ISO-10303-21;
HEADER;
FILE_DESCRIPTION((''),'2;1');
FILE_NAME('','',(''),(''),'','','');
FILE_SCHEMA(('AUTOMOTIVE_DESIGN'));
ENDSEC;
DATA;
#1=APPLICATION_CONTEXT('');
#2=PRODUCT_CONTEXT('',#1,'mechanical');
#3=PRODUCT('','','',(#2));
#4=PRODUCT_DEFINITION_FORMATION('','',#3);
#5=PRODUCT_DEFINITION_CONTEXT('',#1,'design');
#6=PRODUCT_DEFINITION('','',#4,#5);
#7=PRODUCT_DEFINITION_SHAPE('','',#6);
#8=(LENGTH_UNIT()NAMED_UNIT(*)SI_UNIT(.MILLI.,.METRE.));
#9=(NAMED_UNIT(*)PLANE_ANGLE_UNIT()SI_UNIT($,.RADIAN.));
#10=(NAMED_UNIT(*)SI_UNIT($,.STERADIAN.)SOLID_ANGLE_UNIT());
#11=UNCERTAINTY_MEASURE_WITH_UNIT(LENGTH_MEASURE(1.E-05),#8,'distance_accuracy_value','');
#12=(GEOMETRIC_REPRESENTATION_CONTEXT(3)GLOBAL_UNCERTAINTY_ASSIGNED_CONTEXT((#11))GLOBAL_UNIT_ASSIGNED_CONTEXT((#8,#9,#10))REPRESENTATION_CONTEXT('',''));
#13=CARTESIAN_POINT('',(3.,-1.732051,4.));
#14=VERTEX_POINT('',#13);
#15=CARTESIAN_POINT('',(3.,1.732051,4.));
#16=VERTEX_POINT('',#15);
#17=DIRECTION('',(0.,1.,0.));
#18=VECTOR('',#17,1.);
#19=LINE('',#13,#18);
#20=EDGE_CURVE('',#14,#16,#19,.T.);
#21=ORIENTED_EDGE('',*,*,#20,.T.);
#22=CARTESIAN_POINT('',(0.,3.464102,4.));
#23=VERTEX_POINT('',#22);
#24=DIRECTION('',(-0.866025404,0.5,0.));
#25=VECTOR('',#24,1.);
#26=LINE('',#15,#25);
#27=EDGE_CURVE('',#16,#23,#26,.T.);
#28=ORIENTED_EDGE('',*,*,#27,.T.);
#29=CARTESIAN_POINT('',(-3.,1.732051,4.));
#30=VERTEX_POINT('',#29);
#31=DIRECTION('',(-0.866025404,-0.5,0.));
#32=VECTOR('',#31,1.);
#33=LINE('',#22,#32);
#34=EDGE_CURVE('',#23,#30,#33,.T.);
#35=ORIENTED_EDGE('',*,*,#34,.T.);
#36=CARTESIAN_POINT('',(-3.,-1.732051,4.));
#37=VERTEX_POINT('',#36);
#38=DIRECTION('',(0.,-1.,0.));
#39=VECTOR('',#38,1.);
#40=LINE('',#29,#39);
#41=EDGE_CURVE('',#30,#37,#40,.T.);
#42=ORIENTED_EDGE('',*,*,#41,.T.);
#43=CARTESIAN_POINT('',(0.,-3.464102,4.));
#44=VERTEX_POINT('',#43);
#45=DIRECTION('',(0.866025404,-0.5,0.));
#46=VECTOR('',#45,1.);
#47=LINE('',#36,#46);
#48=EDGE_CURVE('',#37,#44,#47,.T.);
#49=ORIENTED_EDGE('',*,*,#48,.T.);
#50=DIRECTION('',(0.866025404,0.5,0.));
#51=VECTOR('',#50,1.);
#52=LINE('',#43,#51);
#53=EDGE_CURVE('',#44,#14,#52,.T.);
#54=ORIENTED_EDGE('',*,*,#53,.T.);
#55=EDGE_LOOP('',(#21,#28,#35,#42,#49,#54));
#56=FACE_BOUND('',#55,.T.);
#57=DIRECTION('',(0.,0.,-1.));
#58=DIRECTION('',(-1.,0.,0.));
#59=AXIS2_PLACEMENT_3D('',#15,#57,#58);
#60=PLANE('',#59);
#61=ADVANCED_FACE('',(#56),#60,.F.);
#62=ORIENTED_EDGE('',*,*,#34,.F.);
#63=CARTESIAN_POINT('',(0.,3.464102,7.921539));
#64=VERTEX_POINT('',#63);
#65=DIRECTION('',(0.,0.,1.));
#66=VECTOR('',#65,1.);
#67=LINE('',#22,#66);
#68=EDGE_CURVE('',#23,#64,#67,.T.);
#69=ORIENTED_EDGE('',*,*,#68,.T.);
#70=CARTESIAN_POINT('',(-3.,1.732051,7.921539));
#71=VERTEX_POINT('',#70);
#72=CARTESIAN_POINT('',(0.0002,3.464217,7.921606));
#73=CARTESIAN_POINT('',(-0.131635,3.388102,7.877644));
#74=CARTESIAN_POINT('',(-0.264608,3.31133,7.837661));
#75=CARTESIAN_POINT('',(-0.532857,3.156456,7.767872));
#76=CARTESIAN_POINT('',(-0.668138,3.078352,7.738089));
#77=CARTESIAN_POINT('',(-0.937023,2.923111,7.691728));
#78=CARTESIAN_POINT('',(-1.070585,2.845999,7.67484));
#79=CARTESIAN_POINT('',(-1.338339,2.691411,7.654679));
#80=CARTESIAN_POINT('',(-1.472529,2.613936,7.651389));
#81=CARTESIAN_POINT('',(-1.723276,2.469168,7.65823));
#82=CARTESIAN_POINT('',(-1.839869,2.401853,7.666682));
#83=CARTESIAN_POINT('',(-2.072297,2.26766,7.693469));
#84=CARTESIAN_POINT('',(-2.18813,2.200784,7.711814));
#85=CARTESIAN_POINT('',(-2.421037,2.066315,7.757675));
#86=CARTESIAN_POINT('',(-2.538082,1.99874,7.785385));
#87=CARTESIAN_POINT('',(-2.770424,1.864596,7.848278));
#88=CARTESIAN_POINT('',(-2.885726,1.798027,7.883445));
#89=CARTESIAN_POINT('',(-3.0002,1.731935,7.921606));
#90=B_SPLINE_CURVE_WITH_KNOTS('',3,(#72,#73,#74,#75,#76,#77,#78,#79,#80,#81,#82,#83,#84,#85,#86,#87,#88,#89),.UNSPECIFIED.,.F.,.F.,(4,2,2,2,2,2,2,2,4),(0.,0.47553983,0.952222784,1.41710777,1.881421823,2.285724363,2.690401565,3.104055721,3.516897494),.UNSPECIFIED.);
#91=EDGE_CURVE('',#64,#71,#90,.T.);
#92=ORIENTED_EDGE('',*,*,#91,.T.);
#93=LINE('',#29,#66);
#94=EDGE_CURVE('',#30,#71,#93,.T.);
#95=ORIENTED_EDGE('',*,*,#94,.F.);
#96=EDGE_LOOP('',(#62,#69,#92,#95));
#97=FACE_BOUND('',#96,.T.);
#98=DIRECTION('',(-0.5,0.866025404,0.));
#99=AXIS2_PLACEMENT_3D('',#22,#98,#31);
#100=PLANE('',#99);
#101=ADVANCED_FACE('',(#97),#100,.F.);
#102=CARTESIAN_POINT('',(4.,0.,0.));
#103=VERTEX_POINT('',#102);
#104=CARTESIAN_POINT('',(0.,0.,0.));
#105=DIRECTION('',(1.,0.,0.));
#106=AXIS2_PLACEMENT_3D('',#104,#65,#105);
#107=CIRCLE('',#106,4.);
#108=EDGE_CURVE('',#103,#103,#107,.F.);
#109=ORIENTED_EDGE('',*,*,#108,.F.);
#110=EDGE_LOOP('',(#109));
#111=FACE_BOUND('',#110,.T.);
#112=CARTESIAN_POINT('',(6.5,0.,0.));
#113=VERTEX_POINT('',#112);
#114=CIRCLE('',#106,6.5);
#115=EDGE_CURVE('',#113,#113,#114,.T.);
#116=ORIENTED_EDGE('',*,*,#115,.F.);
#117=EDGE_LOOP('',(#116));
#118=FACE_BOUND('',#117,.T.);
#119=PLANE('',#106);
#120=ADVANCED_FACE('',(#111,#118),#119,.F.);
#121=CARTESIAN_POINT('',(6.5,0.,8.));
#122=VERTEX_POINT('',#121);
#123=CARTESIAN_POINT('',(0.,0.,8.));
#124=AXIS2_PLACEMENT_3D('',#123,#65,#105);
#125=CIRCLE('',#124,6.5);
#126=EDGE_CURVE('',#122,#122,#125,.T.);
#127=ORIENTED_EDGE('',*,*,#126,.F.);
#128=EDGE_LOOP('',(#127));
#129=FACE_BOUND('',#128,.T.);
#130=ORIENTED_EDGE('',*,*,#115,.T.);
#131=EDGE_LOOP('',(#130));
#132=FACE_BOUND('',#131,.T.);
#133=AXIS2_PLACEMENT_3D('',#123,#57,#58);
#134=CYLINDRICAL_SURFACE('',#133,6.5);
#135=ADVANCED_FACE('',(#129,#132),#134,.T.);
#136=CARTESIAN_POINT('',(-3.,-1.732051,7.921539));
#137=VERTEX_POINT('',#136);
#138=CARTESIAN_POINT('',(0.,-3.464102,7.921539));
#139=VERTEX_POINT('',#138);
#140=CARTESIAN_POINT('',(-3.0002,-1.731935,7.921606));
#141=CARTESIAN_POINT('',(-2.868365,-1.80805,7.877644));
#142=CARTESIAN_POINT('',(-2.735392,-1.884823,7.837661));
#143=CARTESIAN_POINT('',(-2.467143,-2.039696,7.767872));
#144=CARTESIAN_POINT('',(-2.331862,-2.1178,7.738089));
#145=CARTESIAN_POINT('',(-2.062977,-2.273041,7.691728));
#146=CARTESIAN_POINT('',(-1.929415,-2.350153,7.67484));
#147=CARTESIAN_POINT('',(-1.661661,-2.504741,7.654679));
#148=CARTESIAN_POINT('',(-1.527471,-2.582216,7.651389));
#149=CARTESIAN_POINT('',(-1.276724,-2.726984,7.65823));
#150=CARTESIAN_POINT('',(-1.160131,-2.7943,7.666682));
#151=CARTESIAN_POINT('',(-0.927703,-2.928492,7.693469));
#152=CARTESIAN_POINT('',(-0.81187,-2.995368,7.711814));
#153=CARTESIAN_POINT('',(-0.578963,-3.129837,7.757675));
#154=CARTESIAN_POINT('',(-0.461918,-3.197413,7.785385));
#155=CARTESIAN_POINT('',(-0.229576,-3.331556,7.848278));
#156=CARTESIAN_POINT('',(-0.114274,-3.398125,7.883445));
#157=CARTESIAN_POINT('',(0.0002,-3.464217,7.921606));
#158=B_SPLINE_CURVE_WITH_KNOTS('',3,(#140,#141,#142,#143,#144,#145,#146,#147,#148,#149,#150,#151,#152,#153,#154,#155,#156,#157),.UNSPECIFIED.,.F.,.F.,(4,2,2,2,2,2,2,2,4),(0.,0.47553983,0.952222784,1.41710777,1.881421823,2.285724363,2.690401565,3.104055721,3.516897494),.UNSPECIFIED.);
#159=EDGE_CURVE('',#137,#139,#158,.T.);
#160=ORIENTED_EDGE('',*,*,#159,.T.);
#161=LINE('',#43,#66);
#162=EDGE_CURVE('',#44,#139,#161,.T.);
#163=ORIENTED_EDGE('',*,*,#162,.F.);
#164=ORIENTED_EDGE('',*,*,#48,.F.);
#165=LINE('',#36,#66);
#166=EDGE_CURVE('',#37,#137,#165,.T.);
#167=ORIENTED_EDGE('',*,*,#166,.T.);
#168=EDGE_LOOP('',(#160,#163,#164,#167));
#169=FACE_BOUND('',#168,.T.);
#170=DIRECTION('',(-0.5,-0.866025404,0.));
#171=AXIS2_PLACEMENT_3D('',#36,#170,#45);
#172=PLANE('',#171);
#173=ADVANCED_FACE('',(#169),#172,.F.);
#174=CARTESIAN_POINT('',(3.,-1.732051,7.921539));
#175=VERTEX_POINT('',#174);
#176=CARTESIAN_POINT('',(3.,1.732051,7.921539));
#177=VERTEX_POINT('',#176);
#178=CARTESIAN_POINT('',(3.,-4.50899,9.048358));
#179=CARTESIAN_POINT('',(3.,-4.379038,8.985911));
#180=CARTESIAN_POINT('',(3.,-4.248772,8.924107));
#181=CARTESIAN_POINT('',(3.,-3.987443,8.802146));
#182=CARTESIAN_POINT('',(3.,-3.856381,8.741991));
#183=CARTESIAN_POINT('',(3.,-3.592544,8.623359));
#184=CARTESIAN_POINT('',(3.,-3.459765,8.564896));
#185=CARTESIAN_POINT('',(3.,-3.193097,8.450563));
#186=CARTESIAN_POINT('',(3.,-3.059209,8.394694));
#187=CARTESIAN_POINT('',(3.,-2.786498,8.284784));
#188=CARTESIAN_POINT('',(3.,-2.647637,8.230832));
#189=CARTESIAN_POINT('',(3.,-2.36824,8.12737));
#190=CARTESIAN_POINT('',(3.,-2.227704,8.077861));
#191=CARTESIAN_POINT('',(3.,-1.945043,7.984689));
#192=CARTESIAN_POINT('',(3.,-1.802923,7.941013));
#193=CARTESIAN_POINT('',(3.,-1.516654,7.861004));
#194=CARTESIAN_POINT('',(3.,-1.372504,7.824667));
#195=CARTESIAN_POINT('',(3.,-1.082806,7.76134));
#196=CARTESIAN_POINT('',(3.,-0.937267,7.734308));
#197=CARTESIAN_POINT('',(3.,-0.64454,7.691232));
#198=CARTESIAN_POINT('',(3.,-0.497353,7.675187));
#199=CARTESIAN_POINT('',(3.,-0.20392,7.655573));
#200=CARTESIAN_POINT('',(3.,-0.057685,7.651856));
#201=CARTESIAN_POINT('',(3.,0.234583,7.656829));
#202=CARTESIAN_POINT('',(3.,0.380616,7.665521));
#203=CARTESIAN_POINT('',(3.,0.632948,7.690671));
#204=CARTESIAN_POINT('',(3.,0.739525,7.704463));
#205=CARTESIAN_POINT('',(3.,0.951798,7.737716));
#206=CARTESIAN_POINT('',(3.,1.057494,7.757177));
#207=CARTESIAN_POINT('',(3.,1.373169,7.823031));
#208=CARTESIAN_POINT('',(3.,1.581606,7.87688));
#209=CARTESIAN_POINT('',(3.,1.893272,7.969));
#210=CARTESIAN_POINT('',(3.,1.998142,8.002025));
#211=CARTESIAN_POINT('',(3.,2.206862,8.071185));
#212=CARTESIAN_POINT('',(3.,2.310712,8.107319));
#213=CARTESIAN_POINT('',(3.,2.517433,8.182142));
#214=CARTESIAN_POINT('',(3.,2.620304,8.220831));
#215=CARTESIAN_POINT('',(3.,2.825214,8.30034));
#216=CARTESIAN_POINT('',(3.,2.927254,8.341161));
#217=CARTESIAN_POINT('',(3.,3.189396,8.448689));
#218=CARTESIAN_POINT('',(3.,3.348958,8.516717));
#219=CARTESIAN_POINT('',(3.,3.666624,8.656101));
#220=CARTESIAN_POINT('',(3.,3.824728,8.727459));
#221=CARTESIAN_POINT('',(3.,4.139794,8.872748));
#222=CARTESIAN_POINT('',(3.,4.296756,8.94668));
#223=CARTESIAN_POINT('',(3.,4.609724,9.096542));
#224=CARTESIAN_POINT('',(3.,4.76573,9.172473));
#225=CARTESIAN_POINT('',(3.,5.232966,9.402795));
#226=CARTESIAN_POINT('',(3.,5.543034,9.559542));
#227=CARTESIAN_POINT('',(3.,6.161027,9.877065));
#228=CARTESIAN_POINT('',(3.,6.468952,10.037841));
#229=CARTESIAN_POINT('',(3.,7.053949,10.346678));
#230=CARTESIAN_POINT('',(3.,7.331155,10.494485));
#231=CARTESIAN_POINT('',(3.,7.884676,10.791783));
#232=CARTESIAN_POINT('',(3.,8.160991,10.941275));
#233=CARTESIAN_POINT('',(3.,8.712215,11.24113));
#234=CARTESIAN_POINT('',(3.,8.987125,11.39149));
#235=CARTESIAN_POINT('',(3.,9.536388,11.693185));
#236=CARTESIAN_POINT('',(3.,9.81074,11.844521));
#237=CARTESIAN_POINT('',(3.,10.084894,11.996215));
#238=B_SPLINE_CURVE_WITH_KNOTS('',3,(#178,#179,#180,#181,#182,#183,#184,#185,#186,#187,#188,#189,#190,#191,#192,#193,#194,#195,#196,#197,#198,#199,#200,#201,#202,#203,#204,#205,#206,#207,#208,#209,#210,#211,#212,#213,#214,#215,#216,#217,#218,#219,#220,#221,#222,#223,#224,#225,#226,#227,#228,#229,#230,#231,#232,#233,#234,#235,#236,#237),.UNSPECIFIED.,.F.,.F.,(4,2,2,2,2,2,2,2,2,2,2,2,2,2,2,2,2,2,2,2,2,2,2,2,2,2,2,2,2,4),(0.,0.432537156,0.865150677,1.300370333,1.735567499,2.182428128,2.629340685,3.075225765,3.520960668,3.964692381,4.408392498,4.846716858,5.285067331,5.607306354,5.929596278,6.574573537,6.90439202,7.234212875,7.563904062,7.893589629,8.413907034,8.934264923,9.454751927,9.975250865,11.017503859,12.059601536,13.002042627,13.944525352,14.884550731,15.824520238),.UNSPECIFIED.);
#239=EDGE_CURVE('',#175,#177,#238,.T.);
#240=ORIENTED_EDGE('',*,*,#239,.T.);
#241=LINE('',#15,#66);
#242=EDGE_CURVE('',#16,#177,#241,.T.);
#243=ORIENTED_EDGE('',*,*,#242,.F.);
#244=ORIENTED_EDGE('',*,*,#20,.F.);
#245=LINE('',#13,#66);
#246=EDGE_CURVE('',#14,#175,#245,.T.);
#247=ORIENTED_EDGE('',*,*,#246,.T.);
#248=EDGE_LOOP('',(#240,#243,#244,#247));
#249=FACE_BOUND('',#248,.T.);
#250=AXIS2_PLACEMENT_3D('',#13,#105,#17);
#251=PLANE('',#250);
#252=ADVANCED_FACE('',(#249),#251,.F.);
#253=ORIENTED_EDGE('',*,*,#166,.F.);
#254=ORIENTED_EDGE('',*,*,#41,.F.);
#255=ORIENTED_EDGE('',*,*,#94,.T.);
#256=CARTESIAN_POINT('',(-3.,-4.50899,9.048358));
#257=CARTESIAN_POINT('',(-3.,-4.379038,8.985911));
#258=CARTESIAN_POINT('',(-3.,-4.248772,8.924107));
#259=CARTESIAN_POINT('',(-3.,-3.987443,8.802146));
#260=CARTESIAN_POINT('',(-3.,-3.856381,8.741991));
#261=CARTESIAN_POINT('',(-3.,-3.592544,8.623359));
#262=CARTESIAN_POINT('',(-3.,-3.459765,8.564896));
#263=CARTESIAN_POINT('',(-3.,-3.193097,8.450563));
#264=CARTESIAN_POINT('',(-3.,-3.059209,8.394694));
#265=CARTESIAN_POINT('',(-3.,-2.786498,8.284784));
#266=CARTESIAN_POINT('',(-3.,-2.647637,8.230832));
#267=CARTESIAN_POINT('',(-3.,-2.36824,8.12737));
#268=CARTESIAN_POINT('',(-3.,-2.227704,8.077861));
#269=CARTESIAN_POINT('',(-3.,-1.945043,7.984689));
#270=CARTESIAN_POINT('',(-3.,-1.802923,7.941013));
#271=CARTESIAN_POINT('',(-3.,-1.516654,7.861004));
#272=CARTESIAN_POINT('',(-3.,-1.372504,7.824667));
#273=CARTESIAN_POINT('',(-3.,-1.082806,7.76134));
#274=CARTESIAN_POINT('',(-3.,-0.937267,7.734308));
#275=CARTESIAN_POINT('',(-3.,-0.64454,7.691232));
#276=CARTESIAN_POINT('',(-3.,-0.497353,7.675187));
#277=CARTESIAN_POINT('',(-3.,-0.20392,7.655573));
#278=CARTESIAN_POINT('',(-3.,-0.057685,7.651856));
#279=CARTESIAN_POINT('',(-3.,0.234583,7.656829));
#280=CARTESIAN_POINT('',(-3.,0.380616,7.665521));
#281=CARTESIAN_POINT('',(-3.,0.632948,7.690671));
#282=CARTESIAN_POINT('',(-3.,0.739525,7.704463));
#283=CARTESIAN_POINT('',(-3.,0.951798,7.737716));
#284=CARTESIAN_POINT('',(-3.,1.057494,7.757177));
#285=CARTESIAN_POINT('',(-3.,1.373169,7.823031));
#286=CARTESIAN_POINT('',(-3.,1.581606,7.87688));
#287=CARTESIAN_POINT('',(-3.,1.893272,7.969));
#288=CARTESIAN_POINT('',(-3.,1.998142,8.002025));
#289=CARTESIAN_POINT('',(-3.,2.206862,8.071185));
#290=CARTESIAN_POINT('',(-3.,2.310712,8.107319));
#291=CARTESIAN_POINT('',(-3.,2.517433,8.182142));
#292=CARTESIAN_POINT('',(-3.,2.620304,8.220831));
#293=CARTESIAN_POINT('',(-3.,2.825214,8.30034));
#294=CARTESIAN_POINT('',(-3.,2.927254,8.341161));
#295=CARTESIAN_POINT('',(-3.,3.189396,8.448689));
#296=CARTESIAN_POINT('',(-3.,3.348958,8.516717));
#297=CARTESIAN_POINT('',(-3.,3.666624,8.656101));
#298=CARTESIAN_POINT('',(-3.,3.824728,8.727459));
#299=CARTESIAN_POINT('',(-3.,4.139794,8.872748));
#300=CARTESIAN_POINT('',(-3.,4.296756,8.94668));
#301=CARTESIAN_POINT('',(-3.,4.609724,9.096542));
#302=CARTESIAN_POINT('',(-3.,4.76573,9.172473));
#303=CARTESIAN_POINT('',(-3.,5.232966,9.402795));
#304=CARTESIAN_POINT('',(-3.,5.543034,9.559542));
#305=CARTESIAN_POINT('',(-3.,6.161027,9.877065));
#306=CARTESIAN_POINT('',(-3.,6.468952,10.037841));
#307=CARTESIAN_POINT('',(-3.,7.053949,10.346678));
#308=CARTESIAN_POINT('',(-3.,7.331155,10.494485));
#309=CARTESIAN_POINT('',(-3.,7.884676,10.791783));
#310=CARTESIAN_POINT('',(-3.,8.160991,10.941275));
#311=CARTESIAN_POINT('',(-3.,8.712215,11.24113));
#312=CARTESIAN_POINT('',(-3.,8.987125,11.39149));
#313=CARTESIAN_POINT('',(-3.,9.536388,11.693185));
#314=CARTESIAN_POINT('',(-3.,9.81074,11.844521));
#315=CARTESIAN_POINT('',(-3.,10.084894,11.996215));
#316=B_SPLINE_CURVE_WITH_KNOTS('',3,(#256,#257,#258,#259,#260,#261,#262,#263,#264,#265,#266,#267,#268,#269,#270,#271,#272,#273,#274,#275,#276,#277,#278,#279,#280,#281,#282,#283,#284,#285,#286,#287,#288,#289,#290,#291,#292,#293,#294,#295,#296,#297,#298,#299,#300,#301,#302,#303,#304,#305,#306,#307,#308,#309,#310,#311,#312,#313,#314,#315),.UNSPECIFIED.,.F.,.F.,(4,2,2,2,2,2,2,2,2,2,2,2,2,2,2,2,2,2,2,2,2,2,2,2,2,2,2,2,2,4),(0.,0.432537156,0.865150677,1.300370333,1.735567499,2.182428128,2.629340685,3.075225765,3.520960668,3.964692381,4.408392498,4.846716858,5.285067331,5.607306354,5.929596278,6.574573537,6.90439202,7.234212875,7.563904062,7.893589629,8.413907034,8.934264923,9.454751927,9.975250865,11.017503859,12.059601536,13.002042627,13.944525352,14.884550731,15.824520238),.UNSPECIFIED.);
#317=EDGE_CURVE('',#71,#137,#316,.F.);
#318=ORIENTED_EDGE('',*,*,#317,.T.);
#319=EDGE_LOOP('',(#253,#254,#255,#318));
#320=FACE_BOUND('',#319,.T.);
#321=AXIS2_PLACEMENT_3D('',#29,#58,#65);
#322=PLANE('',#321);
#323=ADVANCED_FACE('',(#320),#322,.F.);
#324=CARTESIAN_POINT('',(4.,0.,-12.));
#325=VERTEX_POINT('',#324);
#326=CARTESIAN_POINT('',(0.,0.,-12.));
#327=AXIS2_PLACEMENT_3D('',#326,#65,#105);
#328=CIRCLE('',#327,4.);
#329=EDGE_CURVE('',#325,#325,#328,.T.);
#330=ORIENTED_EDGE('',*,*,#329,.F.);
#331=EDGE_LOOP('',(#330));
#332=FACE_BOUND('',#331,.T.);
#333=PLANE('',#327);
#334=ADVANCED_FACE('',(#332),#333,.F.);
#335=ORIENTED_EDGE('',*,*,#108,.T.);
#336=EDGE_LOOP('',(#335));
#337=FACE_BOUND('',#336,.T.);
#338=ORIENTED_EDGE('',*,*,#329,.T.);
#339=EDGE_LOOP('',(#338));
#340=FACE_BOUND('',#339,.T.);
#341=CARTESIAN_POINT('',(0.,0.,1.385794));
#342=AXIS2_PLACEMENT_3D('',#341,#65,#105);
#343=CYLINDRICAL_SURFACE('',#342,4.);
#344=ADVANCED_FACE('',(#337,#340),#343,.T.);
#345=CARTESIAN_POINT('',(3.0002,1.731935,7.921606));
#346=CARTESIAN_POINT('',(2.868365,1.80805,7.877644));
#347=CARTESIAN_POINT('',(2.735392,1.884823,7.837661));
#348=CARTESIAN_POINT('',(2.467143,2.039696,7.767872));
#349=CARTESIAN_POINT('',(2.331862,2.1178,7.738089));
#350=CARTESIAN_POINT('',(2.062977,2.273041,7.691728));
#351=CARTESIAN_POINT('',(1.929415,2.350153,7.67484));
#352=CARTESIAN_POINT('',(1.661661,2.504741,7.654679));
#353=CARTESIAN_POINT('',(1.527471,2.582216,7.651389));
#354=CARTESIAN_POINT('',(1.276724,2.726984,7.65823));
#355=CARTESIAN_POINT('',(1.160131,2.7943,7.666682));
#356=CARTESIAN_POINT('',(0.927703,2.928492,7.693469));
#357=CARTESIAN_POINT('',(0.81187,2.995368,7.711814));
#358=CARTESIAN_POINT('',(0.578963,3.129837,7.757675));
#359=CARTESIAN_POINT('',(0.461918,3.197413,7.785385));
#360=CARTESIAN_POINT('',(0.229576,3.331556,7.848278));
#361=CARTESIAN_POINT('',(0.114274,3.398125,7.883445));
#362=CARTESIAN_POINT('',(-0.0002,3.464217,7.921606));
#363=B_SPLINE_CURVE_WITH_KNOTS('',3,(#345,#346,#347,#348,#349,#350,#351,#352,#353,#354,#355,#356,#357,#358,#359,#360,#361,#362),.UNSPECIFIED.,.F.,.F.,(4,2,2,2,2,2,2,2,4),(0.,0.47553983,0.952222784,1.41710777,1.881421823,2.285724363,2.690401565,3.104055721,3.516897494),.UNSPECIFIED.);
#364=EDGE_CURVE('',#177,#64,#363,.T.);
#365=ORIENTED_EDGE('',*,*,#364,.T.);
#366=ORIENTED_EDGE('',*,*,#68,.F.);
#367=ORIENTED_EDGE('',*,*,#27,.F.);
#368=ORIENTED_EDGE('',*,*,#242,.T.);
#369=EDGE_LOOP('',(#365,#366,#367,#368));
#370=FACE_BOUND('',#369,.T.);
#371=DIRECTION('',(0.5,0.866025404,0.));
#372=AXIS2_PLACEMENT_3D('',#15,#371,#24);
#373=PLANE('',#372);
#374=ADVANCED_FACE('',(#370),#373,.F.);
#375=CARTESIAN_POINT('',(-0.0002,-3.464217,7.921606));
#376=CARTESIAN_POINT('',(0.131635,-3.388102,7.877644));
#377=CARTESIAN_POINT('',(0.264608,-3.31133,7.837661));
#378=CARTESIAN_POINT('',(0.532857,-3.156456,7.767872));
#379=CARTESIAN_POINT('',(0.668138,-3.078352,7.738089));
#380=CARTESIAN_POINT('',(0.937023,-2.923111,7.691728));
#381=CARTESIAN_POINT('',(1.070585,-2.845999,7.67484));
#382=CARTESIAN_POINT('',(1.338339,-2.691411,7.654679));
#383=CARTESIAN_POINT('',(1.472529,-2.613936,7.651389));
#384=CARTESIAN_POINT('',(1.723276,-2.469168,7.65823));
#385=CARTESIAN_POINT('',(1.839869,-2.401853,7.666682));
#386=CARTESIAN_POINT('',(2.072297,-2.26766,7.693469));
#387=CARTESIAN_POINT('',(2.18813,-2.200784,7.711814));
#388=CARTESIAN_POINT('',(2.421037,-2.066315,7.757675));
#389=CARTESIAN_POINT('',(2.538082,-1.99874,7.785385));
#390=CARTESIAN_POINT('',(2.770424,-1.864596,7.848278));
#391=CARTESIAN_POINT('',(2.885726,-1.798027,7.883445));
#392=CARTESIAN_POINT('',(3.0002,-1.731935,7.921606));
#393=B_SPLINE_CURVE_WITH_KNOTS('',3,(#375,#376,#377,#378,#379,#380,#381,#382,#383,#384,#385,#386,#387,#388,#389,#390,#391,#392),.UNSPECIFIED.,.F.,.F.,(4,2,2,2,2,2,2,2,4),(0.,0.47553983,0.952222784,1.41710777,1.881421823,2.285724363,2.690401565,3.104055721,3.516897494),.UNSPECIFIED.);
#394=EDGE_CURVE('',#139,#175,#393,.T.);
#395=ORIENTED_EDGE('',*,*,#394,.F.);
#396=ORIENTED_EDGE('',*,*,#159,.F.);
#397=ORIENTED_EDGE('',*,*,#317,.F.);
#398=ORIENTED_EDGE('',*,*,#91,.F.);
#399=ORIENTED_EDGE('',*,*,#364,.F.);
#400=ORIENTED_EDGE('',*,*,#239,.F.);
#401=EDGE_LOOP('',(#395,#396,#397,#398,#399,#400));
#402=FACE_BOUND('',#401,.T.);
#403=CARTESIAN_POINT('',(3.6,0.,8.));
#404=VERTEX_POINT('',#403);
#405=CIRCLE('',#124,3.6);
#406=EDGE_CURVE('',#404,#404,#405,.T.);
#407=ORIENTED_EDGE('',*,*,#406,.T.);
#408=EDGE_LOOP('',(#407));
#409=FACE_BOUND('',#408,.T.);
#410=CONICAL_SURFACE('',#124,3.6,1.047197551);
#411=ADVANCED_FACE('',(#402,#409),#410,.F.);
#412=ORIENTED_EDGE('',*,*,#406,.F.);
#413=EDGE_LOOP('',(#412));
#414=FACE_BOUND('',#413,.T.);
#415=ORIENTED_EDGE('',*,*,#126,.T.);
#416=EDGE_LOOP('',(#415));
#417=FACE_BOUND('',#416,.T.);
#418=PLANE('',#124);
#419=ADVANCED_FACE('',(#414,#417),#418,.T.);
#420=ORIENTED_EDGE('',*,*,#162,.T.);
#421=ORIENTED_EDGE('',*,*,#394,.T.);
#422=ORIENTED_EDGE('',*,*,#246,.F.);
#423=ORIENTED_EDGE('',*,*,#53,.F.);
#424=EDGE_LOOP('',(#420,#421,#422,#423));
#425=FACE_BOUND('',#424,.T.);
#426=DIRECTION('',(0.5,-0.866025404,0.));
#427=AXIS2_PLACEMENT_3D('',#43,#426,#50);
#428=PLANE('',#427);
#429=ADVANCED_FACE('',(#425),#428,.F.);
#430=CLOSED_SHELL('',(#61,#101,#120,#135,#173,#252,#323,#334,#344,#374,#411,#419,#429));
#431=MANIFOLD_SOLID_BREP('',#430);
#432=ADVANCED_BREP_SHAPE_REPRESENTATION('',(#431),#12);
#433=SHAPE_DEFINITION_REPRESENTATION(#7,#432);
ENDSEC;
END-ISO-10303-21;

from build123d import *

# Parameters (mm, degrees)
SKE1_R      = 6.5
BASE1_DEPTH = 8
BODYSKE_W   = 20
BODYSKE_H   = 4
HEX_2_DEPTH = 4


with BuildPart() as part:
    # Ske1 → Base1 (new body)
    with BuildSketch(Plane.XY):
        Circle(SKE1_R)
    extrude(amount=BASE1_DEPTH)

    # BodySke → BaseBody (revolve)
    with BuildSketch(Plane(origin=(0, 0, 0), x_dir=(0, 0, -1), z_dir=(1, 0, 0)), mode=Mode.PRIVATE) as basebody_sk:
        with Locations((2, 2)):
            Rectangle(BODYSKE_W, BODYSKE_H)
    revolve(basebody_sk.sketch.rotate(Axis((0, 0, 1.385793675), (0, 0, -1)), 90), axis=Axis((0, 0, 1.385793675), (0, 0, -1)))

    # Ske8 → Hex 2 (cut)
    with BuildSketch(Plane.XY.offset(8)):
        Polygon((0, 3.464101615), (-3, 1.732050808), (-3, -1.732050808), (0, -3.464101615), (3, -1.732050808), (3, 1.732050808), align=None)
    extrude(amount=-HEX_2_DEPTH, mode=Mode.SUBTRACT)

    # Chamfer 2 cone 1 section (through the dimple's axis) → Chamfer 2 (revolve, cut)
    with BuildSketch(Plane(origin=(0, 0, 8), x_dir=(0, -1, 0), z_dir=(1, 0, 0))):
        Polygon((0, 0), (3.6, 0), (0, 2.078460969), align=None)
    revolve(axis=Axis((0, 0, 8), (0, 0, -1)), mode=Mode.SUBTRACT)


solid = part.part
